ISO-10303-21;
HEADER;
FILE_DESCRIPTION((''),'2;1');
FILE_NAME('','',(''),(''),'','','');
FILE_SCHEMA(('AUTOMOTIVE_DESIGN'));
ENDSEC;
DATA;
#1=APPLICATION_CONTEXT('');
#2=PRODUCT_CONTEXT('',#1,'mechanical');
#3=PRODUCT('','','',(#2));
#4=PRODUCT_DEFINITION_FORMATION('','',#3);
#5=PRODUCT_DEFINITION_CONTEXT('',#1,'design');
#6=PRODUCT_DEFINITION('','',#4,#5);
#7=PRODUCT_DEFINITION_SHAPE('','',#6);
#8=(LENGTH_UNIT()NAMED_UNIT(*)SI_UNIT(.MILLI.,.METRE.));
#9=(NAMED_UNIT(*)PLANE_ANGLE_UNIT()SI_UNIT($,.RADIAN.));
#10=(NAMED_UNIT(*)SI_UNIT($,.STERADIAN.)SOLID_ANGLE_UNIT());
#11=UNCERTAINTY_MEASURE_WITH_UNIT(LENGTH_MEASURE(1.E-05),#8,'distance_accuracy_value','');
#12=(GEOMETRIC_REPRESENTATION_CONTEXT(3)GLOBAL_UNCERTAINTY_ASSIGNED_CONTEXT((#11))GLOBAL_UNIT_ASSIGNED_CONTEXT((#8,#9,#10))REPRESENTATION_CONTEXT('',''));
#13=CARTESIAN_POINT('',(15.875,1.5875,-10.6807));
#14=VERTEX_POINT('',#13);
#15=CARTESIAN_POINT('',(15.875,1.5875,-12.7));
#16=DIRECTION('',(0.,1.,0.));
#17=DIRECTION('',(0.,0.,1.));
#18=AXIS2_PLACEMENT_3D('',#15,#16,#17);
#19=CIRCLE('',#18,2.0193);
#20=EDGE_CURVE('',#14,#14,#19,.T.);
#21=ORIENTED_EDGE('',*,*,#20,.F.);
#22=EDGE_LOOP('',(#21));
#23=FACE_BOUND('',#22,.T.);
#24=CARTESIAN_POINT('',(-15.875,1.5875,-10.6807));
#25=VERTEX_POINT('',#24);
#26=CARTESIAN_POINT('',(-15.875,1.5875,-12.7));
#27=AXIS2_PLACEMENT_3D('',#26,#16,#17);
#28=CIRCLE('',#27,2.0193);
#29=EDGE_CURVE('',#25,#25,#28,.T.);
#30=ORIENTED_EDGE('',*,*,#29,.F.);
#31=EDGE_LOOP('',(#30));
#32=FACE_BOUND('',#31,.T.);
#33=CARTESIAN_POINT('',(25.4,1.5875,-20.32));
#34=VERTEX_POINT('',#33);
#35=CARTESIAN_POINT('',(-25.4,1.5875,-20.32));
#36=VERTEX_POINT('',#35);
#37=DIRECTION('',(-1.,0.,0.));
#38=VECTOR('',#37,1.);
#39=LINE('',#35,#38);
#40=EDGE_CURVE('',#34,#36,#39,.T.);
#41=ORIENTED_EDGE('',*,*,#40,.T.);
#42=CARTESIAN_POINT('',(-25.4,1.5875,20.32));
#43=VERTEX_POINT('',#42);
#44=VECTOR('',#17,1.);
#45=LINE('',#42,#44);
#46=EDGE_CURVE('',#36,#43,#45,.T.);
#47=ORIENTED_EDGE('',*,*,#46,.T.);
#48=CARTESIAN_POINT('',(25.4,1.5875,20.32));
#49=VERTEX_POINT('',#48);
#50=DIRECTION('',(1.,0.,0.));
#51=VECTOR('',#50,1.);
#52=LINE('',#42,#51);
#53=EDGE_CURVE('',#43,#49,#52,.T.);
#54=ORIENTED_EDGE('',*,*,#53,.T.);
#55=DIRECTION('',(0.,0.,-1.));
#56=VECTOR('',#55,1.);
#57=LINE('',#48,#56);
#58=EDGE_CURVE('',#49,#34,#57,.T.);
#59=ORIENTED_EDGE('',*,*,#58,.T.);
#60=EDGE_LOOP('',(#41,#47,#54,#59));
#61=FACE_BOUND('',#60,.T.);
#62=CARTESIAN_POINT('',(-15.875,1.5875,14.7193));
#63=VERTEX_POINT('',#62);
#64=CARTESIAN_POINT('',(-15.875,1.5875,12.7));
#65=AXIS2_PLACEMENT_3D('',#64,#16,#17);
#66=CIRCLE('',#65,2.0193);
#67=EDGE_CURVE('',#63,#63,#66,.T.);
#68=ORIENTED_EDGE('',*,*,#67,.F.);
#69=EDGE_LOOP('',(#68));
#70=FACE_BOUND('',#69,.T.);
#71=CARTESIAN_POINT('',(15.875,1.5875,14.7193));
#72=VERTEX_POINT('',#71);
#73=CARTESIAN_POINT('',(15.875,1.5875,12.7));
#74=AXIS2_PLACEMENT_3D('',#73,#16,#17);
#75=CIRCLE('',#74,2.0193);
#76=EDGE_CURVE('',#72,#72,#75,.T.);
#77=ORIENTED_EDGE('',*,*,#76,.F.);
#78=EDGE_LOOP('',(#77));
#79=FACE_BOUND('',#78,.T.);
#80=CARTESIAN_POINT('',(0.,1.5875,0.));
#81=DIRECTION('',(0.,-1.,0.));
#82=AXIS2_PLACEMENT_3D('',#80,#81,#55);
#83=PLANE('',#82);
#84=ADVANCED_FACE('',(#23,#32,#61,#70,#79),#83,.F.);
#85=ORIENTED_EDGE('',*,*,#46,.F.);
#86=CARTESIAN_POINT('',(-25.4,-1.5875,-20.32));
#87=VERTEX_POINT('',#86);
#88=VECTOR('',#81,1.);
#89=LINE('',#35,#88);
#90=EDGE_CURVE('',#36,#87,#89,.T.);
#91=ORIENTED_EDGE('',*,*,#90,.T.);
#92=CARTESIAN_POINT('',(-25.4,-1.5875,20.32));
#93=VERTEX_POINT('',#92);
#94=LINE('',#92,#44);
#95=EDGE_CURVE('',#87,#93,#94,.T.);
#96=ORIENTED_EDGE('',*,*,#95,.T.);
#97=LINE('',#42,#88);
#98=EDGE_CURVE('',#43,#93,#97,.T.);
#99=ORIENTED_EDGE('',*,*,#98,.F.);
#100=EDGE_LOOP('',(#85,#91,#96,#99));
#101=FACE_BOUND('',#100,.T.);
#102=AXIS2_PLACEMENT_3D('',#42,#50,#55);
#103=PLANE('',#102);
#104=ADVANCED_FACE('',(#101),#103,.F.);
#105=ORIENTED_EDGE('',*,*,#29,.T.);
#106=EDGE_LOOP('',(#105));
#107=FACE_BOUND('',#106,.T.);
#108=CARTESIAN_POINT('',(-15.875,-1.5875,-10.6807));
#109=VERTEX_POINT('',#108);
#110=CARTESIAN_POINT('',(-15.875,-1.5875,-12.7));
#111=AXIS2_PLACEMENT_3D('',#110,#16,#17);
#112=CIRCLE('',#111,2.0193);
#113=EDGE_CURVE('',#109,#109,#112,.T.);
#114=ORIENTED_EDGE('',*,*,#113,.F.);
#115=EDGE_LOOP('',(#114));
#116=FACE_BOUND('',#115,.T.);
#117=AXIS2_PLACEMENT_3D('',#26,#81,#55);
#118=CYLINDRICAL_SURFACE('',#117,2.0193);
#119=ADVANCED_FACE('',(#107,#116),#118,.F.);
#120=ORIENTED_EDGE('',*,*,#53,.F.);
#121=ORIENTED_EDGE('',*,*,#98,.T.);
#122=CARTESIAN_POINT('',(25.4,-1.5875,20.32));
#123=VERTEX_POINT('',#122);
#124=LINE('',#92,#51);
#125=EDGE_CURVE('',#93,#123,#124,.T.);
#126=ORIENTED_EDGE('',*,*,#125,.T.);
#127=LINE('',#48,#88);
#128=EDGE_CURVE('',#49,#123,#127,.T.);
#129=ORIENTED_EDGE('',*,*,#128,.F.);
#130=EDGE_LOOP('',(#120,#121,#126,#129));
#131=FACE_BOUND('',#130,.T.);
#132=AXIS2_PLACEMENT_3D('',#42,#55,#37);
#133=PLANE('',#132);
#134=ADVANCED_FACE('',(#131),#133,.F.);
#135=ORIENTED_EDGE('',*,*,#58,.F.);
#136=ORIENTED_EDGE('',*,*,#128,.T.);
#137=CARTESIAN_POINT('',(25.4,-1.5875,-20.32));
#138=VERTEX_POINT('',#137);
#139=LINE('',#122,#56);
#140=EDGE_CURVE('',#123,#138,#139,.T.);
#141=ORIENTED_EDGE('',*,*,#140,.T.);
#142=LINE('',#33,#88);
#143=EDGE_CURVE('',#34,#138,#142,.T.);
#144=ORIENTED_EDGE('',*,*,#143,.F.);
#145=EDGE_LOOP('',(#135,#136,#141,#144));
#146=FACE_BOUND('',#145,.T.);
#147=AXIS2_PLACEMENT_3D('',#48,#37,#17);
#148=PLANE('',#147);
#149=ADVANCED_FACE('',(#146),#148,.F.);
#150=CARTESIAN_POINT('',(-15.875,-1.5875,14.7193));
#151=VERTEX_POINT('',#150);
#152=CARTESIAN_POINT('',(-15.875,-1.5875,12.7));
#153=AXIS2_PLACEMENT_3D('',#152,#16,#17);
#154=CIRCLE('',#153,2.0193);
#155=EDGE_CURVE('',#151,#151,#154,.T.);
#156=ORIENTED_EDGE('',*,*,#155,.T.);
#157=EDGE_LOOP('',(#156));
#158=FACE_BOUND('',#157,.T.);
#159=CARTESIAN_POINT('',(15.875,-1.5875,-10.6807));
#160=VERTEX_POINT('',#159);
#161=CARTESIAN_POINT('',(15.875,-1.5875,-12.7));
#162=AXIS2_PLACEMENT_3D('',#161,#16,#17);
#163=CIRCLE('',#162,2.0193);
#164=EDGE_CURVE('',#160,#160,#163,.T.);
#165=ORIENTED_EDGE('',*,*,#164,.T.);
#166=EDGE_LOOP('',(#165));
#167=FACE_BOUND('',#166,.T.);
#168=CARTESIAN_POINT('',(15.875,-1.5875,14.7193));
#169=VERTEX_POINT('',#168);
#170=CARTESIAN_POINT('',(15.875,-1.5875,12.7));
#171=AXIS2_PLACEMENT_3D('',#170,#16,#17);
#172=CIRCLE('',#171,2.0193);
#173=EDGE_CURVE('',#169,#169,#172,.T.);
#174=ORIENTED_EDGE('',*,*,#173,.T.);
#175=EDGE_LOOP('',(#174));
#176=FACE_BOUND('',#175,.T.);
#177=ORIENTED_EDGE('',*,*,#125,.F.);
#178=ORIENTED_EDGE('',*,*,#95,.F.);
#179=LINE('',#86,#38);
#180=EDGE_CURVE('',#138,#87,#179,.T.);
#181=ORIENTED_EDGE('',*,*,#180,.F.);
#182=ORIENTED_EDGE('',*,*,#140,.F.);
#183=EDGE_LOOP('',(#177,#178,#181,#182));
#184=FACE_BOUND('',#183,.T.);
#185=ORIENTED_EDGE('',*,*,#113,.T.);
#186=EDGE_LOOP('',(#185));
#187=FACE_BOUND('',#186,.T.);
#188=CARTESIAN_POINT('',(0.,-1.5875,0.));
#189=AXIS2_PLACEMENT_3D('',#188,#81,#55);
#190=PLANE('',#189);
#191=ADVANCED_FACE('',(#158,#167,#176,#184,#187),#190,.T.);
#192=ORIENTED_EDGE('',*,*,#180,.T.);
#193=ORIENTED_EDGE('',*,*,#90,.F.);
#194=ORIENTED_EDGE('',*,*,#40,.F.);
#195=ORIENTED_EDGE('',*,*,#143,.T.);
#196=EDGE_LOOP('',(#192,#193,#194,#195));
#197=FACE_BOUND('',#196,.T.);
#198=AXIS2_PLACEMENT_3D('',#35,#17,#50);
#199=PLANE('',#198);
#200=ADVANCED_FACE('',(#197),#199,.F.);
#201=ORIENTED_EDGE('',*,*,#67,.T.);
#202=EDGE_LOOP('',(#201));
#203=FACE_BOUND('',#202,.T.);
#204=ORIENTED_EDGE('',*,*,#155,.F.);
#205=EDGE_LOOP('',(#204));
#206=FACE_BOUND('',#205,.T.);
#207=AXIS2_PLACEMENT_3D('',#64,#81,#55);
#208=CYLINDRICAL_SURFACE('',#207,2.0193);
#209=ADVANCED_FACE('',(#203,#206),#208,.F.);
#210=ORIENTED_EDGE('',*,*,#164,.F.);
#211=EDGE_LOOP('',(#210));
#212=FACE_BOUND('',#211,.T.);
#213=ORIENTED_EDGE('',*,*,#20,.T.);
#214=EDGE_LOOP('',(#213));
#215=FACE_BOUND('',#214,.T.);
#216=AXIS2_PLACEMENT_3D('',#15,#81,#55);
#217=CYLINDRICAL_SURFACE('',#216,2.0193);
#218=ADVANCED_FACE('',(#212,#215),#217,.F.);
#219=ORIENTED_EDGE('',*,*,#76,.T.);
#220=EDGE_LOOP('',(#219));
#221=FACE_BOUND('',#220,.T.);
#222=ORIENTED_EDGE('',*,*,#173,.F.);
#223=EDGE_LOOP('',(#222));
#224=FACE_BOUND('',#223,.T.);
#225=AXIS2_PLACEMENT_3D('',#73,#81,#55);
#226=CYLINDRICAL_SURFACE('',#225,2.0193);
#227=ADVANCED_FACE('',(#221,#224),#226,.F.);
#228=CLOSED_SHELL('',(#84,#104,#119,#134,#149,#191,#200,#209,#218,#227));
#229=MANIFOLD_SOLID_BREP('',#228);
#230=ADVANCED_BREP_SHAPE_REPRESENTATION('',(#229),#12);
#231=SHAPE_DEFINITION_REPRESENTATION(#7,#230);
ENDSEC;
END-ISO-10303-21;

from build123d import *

# Parameters (mm, degrees)
SKETCH1_W           = 50.8
SKETCH1_H           = 40.64
SKETCH1_R           = 2.0193
BOSS_EXTRUDE1_DEPTH = 1.5875


with BuildPart() as part:
    # Sketch1 → Boss-Extrude1 (new body, symmetric)
    with BuildSketch(Plane(origin=(0, 0, 0), x_dir=(1, 0, 0), z_dir=(0, 1, 0))):
        Rectangle(SKETCH1_W, SKETCH1_H)
        with Locations((-15.875, 12.7)):
            Circle(SKETCH1_R, mode=Mode.SUBTRACT)
        with Locations((15.875, 12.7)):
            Circle(SKETCH1_R, mode=Mode.SUBTRACT)
        with Locations((15.875, -12.7)):
            Circle(SKETCH1_R, mode=Mode.SUBTRACT)
        with Locations((-15.875, -12.7)):
            Circle(SKETCH1_R, mode=Mode.SUBTRACT)
    extrude(amount=BOSS_EXTRUDE1_DEPTH, both=True)


solid = part.part
